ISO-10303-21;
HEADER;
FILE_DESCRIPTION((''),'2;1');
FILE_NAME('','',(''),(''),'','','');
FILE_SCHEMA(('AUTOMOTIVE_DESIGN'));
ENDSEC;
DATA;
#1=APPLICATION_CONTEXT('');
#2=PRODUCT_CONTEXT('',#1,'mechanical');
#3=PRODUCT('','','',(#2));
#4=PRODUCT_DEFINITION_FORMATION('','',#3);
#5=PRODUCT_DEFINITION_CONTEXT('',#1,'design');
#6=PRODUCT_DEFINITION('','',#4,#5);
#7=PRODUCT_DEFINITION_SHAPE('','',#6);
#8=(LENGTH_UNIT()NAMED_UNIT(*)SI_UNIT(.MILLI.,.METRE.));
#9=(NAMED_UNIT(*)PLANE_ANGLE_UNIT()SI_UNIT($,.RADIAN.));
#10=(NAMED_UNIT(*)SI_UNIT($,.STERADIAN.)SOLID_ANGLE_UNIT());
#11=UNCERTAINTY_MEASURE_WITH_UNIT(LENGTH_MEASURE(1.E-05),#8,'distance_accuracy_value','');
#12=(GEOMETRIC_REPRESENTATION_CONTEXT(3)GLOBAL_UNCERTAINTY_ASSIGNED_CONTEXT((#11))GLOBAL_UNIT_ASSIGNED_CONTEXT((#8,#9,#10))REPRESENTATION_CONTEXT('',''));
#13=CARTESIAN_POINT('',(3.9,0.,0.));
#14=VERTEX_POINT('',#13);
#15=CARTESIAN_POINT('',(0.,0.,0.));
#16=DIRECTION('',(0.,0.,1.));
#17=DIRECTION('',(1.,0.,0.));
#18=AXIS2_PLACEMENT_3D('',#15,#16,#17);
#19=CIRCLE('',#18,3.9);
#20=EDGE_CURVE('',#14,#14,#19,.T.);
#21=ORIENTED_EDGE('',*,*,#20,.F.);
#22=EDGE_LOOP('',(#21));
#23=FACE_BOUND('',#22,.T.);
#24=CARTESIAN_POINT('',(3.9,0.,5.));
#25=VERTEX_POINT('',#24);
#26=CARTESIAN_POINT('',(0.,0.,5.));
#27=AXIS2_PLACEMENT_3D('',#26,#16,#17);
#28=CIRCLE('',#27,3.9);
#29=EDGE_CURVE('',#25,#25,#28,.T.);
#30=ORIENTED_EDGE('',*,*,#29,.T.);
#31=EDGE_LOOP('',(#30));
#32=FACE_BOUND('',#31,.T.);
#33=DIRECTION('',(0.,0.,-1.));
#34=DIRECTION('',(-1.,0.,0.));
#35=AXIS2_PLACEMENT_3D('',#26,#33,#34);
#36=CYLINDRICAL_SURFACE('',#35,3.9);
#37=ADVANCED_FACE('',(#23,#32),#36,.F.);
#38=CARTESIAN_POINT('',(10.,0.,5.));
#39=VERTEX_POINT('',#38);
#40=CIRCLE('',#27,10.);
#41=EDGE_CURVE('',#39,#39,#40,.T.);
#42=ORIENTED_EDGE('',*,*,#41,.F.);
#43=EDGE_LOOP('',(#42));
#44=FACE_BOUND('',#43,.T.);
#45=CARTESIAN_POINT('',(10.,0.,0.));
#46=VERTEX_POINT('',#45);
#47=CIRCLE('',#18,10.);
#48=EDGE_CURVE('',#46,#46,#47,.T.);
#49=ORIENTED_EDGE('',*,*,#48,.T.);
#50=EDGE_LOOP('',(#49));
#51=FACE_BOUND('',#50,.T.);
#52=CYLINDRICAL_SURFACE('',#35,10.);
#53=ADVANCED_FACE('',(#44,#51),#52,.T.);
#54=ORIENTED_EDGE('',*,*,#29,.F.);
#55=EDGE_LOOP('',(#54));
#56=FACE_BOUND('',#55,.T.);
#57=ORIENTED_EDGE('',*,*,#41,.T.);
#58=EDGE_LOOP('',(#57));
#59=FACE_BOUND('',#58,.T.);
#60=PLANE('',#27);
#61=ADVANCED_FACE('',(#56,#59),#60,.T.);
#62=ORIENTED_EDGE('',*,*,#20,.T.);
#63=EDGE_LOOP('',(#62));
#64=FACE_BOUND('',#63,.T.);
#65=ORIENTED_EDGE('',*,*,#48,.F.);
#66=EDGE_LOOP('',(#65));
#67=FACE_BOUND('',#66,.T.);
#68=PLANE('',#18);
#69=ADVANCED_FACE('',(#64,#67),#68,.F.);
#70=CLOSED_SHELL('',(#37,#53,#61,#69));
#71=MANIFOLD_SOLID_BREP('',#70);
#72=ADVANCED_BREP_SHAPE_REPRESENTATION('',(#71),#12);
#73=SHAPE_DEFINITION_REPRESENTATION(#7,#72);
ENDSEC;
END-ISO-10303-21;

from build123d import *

# Parameters (mm, degrees)
SKETCH1_R           = 10
SKETCH1_R_2         = 3.9
BOSS_EXTRUDE1_DEPTH = 5


with BuildPart() as part:
    # Sketch1 → Boss-Extrude1 (new body)
    with BuildSketch(Plane.XY):
        Circle(SKETCH1_R)
        Circle(SKETCH1_R_2, mode=Mode.SUBTRACT)
    extrude(amount=BOSS_EXTRUDE1_DEPTH)


solid = part.part
